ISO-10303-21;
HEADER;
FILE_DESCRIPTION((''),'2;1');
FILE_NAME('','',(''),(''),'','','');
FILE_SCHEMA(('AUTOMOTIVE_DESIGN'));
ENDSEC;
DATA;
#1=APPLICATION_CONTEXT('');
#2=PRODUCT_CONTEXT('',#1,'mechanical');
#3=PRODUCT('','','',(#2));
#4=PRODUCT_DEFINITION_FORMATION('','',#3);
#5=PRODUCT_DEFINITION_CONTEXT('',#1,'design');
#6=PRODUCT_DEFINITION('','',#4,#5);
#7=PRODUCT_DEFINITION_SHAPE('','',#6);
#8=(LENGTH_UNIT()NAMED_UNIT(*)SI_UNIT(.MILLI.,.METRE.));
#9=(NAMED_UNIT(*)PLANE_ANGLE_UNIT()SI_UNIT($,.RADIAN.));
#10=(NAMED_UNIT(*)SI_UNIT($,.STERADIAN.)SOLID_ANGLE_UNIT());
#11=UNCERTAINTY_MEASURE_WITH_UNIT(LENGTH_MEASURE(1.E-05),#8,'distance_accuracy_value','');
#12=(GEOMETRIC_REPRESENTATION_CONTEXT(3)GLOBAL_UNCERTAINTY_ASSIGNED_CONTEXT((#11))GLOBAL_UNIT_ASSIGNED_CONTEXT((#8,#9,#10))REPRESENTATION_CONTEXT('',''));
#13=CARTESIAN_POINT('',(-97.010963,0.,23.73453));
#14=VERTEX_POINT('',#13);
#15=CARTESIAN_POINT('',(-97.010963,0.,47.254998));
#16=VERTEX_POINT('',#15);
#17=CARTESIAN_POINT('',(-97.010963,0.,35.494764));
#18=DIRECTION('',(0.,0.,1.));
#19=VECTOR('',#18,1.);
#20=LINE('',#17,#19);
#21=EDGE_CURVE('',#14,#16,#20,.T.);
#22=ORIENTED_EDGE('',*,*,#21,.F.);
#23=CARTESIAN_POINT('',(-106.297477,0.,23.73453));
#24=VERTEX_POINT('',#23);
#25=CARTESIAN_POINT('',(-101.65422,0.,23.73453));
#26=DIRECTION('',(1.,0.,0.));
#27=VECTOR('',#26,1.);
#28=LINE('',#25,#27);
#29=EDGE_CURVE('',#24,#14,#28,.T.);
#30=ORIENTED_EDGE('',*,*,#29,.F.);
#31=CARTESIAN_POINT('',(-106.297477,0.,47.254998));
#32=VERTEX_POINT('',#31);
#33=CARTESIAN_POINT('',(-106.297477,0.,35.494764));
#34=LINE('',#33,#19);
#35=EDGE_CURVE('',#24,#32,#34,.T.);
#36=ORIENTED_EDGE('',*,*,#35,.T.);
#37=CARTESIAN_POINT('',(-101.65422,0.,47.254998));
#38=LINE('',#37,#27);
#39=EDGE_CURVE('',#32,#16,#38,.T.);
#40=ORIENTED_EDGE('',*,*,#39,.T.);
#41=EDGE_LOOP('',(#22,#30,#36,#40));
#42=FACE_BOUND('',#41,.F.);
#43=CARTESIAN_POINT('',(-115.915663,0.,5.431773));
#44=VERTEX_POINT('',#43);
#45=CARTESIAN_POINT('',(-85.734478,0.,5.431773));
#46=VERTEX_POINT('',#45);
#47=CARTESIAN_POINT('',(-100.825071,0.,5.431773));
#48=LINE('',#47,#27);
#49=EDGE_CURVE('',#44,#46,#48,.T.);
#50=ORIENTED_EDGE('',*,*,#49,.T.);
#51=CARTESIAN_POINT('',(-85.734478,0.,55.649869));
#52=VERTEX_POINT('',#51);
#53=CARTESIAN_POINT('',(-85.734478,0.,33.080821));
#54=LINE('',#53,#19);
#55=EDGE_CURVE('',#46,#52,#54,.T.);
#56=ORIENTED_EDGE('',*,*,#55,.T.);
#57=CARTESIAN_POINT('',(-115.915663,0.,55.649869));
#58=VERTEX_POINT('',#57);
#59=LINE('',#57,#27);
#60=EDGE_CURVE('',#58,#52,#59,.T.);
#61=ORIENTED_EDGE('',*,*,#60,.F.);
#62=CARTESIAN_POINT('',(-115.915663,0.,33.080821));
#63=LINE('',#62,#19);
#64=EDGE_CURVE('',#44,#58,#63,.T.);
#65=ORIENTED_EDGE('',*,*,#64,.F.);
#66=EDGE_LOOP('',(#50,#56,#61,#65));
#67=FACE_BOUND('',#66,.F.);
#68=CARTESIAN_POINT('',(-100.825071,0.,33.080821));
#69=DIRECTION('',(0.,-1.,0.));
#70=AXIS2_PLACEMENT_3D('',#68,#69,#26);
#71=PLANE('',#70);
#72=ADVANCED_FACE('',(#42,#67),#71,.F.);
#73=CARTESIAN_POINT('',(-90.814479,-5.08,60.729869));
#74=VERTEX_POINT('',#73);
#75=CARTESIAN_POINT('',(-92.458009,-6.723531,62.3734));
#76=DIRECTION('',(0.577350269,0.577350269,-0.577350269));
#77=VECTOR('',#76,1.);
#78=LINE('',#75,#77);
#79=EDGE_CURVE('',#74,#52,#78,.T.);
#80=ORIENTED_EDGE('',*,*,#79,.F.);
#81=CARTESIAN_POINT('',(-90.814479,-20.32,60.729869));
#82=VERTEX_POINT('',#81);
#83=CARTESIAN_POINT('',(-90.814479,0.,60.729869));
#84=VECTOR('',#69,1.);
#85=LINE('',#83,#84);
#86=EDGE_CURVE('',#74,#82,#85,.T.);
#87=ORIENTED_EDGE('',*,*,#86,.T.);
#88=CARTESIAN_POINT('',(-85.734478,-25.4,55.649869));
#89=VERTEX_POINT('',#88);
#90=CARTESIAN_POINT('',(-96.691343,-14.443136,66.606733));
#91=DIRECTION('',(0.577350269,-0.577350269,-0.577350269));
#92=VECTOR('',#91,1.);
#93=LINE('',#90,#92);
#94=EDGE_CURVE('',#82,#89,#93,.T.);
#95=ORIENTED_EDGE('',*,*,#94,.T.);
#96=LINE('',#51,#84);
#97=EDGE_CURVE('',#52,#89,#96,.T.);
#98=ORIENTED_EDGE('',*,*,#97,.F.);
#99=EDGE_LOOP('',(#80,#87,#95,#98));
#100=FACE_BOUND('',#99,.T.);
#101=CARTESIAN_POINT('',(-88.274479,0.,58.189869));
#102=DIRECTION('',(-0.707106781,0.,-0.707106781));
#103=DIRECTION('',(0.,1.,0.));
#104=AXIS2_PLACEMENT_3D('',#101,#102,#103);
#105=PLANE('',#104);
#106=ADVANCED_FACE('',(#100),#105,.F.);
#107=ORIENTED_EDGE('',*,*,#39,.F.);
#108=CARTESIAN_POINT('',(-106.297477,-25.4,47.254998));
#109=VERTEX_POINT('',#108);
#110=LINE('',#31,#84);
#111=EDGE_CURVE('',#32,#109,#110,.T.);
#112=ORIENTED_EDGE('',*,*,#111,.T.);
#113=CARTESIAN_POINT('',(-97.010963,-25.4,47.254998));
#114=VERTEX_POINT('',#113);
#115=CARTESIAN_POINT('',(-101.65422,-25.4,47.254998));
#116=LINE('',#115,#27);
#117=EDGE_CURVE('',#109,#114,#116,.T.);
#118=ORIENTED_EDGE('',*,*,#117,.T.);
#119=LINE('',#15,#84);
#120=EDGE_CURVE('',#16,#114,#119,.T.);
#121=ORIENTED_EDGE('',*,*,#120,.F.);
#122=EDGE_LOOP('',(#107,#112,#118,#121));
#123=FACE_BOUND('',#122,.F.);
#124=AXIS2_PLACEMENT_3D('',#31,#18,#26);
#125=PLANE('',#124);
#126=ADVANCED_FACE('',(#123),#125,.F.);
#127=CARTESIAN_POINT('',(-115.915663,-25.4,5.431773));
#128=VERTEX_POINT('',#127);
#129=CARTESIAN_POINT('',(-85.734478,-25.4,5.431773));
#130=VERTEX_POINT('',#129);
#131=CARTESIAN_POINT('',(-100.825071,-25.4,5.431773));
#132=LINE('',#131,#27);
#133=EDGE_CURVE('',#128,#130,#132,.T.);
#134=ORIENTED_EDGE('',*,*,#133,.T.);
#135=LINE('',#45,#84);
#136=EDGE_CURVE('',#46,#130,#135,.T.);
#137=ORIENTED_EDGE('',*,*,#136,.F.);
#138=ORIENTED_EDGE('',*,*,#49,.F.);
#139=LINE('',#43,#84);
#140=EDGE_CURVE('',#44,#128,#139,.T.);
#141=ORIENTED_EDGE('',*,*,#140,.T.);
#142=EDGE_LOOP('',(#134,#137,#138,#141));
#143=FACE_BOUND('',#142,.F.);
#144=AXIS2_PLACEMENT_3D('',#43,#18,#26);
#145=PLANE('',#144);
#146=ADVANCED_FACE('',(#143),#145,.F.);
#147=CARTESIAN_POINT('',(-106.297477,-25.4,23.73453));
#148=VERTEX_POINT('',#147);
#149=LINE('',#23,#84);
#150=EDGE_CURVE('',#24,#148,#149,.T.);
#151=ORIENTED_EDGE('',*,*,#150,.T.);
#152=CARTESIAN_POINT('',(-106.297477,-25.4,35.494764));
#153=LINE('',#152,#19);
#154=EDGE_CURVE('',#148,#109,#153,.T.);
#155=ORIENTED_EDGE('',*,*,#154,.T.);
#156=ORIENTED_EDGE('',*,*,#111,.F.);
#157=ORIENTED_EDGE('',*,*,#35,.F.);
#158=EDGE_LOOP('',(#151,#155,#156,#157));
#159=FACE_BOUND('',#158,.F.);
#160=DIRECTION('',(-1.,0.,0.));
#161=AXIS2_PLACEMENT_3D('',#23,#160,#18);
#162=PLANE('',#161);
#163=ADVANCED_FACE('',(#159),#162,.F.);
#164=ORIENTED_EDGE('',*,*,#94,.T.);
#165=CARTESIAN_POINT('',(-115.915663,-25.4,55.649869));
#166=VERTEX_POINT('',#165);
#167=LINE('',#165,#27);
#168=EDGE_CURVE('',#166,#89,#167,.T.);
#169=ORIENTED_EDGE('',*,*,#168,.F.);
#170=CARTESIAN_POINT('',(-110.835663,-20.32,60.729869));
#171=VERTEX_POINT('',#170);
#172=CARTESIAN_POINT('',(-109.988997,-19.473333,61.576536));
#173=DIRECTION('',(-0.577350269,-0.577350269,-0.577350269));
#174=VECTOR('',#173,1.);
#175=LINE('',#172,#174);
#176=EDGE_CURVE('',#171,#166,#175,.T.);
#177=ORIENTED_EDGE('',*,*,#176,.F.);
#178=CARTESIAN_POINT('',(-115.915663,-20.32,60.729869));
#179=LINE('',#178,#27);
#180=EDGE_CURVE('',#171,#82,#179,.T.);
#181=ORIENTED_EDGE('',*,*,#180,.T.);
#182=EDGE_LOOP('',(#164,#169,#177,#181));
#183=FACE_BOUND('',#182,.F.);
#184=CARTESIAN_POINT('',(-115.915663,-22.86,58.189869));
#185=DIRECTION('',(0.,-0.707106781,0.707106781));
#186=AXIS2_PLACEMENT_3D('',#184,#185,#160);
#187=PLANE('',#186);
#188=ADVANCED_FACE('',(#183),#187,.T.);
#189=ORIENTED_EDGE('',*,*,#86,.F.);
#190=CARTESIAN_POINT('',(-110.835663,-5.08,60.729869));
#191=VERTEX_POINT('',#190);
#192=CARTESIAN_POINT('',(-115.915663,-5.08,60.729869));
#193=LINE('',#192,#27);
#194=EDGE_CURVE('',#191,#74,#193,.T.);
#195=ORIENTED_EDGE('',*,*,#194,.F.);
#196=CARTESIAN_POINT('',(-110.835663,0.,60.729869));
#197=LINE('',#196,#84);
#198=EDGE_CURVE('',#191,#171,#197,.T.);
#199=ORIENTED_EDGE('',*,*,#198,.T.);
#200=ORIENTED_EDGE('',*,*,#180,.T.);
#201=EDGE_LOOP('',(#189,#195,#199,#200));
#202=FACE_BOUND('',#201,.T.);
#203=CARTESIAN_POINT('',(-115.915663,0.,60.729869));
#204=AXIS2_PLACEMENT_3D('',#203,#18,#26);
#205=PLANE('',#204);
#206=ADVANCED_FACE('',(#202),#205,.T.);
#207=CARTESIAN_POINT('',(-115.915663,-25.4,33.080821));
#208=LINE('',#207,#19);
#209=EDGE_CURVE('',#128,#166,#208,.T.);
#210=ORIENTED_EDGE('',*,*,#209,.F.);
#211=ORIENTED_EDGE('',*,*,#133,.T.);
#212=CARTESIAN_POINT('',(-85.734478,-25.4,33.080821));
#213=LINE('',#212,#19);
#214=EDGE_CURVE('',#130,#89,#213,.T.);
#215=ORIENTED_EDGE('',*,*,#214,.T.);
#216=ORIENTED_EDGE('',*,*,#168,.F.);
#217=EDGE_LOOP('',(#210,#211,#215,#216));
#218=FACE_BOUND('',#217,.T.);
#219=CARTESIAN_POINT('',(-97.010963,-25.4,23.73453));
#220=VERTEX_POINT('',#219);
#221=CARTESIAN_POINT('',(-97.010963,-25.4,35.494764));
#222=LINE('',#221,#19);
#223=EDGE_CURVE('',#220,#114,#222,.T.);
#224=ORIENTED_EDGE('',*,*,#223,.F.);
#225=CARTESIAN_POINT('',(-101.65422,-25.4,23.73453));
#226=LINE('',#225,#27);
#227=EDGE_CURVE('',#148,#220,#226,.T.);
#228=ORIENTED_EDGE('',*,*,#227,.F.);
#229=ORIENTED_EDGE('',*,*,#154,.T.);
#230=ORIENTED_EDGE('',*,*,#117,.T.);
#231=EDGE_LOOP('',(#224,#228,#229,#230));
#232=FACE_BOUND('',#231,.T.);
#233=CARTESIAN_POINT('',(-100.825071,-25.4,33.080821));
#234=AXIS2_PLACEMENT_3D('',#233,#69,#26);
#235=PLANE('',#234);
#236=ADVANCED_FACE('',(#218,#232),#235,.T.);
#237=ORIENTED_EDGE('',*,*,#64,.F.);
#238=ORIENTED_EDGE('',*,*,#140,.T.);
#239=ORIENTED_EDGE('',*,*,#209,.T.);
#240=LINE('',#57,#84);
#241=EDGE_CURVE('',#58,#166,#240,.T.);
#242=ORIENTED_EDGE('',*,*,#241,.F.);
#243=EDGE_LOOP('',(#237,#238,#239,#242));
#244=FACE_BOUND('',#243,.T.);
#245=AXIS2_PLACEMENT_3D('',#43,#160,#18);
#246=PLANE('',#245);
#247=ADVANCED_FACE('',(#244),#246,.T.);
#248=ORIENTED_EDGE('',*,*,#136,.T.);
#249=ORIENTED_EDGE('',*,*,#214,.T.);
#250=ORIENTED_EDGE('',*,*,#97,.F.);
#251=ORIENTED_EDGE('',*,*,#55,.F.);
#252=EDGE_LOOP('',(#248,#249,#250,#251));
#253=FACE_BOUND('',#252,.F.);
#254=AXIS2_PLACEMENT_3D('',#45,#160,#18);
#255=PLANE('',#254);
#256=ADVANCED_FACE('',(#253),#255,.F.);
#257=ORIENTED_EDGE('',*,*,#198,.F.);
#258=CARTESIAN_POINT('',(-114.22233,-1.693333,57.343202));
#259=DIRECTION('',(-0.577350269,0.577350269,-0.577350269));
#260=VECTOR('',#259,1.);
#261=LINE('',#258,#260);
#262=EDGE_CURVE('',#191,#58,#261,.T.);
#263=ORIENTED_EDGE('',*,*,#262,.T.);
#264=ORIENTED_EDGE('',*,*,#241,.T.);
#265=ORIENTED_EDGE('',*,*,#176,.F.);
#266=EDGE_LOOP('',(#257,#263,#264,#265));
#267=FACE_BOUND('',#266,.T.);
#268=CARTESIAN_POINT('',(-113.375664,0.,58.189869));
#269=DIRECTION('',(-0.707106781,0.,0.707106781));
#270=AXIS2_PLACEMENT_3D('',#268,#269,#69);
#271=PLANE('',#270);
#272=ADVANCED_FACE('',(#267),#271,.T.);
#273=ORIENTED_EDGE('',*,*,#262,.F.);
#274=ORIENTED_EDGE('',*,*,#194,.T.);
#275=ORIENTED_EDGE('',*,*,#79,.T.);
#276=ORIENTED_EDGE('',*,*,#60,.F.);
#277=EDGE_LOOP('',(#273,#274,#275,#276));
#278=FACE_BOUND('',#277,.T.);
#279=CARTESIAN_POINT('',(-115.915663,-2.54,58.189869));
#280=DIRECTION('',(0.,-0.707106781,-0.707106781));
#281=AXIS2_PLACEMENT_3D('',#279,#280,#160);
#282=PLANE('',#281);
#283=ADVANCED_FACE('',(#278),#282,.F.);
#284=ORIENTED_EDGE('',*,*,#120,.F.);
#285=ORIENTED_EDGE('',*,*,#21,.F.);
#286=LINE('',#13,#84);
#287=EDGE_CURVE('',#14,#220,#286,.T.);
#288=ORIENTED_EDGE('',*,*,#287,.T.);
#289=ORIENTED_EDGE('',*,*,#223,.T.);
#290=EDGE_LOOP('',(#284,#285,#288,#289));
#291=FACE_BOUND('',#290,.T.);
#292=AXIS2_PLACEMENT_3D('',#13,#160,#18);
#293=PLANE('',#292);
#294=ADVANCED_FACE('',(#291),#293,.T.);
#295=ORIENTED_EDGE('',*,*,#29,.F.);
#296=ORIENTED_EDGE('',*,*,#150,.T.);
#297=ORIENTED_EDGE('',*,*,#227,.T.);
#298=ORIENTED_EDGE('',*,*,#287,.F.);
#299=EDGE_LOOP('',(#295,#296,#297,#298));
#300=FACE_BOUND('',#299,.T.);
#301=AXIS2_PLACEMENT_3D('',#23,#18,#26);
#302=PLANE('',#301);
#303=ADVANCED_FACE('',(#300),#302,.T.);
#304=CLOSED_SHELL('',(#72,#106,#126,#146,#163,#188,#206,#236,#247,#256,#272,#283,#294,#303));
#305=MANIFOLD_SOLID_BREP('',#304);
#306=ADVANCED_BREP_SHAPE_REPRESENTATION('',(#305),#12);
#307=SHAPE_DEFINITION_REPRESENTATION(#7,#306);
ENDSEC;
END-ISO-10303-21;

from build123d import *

# Parameters (mm, degrees)
F0_W     = 30.181185
F0_H     = 55.298096
F0_W_2   = 9.286515
F0_H_2   = 23.520468
F1_DEPTH = 25.4
F2_SIZE  = 5.08


with BuildPart() as f1:
    # F0 (on Front) → F1 (new body)
    with BuildSketch(Plane.XZ):
        with Locations((-100.825071, 33.080821)):
            Rectangle(F0_W, F0_H)
        with Locations((-101.65422, 35.494764)):
            Rectangle(F0_W_2, F0_H_2, mode=Mode.SUBTRACT)
    extrude(amount=F1_DEPTH)

    # F2
    f2_edges = [f1.edges().sort_by_distance(p)[0] for p in [
        (-100.825071, -25.4, 60.729869),
        (-100.825071, 0, 60.729869),
        (-85.734479, -12.7, 60.729869),
        (-115.915664, -12.7, 60.729869),
    ]]
    chamfer(f2_edges, length=F2_SIZE)


solid = f1.part
